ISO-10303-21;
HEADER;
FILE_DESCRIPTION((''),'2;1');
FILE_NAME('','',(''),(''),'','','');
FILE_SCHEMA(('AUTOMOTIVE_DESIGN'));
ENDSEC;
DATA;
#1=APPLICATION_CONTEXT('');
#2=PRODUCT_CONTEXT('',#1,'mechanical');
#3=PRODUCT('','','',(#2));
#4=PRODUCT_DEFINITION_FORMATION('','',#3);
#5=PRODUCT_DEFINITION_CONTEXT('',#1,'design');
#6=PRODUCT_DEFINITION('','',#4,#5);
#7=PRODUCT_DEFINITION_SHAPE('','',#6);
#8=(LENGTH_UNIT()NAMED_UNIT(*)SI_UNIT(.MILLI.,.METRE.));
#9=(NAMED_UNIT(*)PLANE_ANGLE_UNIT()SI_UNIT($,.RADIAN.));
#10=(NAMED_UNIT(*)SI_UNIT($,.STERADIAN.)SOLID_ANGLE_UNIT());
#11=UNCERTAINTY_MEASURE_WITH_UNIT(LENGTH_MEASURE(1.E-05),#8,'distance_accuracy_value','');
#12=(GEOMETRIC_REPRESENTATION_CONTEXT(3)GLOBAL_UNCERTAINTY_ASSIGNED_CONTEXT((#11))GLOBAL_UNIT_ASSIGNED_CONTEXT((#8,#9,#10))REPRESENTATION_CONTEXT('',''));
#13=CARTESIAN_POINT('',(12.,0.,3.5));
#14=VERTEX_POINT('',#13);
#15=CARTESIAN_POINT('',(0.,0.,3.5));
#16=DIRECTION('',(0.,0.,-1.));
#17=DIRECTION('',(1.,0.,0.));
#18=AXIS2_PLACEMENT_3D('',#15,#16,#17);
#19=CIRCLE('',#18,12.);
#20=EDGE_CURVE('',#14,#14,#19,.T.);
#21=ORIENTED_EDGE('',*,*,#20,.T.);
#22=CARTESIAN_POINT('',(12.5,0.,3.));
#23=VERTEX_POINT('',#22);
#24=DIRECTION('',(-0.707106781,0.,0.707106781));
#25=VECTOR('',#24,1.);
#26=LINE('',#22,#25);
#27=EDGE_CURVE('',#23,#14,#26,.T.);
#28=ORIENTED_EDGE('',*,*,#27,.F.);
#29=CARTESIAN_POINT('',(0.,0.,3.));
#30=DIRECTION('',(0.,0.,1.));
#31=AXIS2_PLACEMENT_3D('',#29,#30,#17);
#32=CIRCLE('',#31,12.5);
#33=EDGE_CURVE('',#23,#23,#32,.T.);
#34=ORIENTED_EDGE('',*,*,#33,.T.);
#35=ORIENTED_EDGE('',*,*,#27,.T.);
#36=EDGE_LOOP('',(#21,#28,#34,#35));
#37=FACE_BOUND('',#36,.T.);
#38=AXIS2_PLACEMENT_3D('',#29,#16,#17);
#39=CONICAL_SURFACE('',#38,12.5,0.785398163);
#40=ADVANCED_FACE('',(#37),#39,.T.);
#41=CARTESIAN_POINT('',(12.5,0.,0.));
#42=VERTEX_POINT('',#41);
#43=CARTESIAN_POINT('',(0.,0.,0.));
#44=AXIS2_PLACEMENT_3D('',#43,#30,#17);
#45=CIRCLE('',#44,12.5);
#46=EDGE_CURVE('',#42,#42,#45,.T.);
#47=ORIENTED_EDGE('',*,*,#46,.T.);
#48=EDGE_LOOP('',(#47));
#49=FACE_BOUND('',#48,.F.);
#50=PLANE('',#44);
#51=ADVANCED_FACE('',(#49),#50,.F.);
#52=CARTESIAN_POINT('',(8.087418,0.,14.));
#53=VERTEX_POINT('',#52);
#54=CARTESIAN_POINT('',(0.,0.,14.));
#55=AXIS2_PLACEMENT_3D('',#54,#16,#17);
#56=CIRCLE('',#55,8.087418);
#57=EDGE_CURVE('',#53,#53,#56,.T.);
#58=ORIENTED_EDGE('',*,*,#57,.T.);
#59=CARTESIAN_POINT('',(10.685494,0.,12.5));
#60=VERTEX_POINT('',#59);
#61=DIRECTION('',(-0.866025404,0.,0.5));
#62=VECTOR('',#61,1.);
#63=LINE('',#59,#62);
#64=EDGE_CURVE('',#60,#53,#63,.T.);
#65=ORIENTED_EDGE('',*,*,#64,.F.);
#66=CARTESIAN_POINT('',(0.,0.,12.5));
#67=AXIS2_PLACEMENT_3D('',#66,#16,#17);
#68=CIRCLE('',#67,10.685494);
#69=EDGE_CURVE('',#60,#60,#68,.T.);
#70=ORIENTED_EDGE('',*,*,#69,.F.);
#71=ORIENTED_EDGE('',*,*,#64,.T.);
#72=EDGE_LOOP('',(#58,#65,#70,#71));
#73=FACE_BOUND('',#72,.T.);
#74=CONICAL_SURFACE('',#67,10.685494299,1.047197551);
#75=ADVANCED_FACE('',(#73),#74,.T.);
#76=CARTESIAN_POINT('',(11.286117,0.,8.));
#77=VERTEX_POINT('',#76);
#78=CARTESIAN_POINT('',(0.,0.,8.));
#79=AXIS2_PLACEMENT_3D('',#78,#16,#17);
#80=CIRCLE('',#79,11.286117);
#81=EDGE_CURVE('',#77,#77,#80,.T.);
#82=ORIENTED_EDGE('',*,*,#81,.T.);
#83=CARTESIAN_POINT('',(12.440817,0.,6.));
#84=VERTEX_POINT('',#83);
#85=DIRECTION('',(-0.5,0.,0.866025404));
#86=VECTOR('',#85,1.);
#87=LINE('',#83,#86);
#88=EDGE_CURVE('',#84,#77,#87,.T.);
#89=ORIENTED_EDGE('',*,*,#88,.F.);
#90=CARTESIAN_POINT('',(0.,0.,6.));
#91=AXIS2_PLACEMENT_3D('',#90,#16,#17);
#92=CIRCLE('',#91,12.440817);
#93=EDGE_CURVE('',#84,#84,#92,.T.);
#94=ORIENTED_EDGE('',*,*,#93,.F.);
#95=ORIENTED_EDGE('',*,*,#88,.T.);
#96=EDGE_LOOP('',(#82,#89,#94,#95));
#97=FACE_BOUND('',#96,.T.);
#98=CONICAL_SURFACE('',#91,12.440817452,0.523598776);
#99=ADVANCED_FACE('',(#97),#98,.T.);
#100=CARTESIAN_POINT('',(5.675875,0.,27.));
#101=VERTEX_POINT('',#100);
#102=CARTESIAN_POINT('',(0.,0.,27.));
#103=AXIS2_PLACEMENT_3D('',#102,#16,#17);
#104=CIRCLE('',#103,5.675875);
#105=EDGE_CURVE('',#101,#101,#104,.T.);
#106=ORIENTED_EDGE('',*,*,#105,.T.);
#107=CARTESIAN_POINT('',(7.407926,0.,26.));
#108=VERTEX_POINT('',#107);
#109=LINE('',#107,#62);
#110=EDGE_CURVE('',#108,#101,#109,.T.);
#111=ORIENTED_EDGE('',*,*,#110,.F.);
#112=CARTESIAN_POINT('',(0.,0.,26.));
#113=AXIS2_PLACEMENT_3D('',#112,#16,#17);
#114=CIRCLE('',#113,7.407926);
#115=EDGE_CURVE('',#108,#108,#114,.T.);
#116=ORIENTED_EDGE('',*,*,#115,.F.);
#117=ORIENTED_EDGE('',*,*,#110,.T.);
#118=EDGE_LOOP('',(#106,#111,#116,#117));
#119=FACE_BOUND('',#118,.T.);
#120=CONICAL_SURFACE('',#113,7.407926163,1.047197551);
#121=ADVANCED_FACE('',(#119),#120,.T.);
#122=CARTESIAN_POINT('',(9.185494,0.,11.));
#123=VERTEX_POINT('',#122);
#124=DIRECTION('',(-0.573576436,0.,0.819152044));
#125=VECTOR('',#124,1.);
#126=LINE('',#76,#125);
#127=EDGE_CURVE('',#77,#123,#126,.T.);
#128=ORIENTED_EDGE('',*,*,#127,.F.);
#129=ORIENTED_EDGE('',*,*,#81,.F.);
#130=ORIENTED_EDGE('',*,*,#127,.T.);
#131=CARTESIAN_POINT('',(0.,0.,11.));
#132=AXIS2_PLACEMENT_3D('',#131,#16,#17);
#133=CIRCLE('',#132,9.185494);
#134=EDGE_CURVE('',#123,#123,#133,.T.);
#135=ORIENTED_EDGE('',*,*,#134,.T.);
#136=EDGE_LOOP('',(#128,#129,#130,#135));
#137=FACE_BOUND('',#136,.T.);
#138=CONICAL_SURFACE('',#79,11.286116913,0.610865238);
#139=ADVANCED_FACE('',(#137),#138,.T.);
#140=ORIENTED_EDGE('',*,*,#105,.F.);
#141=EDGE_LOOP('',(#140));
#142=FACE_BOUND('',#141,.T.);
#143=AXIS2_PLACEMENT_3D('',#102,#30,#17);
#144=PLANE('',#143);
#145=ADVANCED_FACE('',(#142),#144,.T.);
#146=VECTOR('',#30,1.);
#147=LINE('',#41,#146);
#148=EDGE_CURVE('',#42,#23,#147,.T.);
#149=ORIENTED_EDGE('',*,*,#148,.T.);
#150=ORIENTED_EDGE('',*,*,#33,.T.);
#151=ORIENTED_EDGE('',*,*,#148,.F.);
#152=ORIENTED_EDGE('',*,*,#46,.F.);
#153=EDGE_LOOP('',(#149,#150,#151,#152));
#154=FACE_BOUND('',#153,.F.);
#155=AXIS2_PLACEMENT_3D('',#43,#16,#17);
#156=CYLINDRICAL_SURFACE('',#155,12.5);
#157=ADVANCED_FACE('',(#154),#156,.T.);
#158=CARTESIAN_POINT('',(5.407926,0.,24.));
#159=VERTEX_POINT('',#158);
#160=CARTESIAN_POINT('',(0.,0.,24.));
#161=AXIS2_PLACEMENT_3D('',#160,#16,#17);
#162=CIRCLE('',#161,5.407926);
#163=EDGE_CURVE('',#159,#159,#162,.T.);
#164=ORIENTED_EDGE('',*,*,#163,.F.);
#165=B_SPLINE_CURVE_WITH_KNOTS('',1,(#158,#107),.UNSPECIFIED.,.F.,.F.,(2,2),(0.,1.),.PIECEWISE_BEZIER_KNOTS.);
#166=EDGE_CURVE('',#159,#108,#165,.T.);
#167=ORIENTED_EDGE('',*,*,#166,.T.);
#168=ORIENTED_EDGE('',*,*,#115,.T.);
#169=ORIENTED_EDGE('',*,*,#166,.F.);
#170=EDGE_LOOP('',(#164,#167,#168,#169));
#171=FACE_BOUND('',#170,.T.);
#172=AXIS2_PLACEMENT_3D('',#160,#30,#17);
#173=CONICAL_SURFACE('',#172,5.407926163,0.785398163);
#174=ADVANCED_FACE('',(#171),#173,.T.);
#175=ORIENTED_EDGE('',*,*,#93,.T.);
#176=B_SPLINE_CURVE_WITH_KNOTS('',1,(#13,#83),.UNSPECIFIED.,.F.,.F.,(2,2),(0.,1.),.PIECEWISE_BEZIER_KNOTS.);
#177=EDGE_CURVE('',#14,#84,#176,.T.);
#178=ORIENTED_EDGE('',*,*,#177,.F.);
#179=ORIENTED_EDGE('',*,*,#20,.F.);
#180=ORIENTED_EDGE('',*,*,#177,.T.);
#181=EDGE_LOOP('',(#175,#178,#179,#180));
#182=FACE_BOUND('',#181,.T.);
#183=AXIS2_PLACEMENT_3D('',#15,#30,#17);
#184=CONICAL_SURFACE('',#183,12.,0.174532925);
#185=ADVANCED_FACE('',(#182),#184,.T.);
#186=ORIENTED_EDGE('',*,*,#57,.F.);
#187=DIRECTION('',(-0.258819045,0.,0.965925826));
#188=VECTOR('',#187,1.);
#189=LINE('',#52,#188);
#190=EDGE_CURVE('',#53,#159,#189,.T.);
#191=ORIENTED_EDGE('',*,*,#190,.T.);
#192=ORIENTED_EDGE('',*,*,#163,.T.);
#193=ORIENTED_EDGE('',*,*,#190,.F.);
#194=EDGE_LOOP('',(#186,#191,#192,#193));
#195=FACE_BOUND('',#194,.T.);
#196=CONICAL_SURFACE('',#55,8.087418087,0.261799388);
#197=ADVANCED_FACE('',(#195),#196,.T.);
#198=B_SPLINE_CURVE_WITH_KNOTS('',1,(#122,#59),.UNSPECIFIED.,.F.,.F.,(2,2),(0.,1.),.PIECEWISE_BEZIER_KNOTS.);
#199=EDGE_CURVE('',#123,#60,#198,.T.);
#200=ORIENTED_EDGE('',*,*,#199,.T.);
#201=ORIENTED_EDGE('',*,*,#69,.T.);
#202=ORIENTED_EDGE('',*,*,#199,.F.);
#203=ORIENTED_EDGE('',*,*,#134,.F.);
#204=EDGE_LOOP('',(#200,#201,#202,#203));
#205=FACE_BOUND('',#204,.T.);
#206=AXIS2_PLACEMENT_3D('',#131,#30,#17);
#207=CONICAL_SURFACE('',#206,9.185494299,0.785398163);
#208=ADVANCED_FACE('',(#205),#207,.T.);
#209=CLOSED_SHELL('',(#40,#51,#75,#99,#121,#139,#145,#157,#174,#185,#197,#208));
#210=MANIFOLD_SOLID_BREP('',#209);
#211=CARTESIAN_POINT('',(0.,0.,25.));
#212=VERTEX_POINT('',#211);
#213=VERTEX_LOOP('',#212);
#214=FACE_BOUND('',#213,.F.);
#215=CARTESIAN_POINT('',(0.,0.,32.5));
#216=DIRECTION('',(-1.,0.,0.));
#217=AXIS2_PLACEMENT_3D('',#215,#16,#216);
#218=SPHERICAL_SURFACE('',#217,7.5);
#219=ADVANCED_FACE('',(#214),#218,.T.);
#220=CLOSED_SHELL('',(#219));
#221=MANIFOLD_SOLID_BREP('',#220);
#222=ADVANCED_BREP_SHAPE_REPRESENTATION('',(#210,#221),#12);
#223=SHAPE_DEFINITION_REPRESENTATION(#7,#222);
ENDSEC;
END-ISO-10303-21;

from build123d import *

# Parameters (mm, degrees)
F0_R      = 12.5
F1_DEPTH  = 3
F1_FACE_R = 12.5
F2_DEPTH  = 0.5
F2_TAPER  = 45
F2_FACE_R = 12
F3_DEPTH  = 2.5
F3_TAPER  = -10
F3_FACE_R = 12.4408174518
F4_DEPTH  = 2
F4_TAPER  = 30
F4_FACE_R = 11.2861169134
F5_DEPTH  = 3
F5_TAPER  = 35
F5_FACE_R = 9.1854942988
F6_DEPTH  = 1.5
F6_TAPER  = -45
F6_FACE_R = 10.6854942988
F7_DEPTH  = 1.5
F7_TAPER  = 60
F7_FACE_R = 8.0874180874
F8_DEPTH  = 10
F8_TAPER  = 15
F8_FACE_R = 5.4079261631
F9_DEPTH  = 2
F9_TAPER  = -45
F9_FACE_R = 7.4079261631
F10_DEPTH = 1
F10_TAPER = 60


with BuildPart() as f1:
    # F0 (on Top) → F1 (new body)
    with BuildSketch(Plane.XY):
        Circle(F0_R)
    extrude(amount=F1_DEPTH)

    # F1_face (on face) → F2 (join)
    with BuildSketch(Plane.XY.offset(3)):
        Circle(F1_FACE_R)
    extrude(amount=F2_DEPTH, taper=F2_TAPER)

    # F2_face (on face) → F3 (join)
    with BuildSketch(Plane.XY.offset(3.5)):
        Circle(F2_FACE_R)
    extrude(amount=F3_DEPTH, taper=F3_TAPER)

    # F3_face (on face) → F4 (join)
    with BuildSketch(Plane.XY.offset(6)):
        Circle(F3_FACE_R)
    extrude(amount=F4_DEPTH, taper=F4_TAPER)

    # F4_face (on face) → F5 (join)
    with BuildSketch(Plane.XY.offset(8)):
        Circle(F4_FACE_R)
    extrude(amount=F5_DEPTH, taper=F5_TAPER)

    # F5_face (on face) → F6 (join)
    with BuildSketch(Plane.XY.offset(11)):
        Circle(F5_FACE_R)
    extrude(amount=F6_DEPTH, taper=F6_TAPER)

    # F6_face (on face) → F7 (join)
    with BuildSketch(Plane.XY.offset(12.5)):
        Circle(F6_FACE_R)
    extrude(amount=F7_DEPTH, taper=F7_TAPER)

    # F7_face (on face) → F8 (join)
    with BuildSketch(Plane.XY.offset(14)):
        Circle(F7_FACE_R)
    extrude(amount=F8_DEPTH, taper=F8_TAPER)

    # F8_face (on face) → F9 (join)
    with BuildSketch(Plane.XY.offset(24)):
        Circle(F8_FACE_R)
    extrude(amount=F9_DEPTH, taper=F9_TAPER)

    # F9_face (on face) → F10 (join)
    with BuildSketch(Plane.XY.offset(26)):
        Circle(F9_FACE_R)
    extrude(amount=F10_DEPTH, taper=F10_TAPER)


with BuildPart() as f12:
    # F11 (on Front) → F12 (revolve)
    with BuildSketch(Plane.XZ):
        with BuildLine():
            ThreePointArc((0, 40), (-7.5, 32.5), (0, 25))
            Line((0, 25), (0, 40))
        make_face()
    revolve(axis=Axis((0, 0, 32.5), (0, 0, 1)))


solid = Compound([f1.part, f12.part])
